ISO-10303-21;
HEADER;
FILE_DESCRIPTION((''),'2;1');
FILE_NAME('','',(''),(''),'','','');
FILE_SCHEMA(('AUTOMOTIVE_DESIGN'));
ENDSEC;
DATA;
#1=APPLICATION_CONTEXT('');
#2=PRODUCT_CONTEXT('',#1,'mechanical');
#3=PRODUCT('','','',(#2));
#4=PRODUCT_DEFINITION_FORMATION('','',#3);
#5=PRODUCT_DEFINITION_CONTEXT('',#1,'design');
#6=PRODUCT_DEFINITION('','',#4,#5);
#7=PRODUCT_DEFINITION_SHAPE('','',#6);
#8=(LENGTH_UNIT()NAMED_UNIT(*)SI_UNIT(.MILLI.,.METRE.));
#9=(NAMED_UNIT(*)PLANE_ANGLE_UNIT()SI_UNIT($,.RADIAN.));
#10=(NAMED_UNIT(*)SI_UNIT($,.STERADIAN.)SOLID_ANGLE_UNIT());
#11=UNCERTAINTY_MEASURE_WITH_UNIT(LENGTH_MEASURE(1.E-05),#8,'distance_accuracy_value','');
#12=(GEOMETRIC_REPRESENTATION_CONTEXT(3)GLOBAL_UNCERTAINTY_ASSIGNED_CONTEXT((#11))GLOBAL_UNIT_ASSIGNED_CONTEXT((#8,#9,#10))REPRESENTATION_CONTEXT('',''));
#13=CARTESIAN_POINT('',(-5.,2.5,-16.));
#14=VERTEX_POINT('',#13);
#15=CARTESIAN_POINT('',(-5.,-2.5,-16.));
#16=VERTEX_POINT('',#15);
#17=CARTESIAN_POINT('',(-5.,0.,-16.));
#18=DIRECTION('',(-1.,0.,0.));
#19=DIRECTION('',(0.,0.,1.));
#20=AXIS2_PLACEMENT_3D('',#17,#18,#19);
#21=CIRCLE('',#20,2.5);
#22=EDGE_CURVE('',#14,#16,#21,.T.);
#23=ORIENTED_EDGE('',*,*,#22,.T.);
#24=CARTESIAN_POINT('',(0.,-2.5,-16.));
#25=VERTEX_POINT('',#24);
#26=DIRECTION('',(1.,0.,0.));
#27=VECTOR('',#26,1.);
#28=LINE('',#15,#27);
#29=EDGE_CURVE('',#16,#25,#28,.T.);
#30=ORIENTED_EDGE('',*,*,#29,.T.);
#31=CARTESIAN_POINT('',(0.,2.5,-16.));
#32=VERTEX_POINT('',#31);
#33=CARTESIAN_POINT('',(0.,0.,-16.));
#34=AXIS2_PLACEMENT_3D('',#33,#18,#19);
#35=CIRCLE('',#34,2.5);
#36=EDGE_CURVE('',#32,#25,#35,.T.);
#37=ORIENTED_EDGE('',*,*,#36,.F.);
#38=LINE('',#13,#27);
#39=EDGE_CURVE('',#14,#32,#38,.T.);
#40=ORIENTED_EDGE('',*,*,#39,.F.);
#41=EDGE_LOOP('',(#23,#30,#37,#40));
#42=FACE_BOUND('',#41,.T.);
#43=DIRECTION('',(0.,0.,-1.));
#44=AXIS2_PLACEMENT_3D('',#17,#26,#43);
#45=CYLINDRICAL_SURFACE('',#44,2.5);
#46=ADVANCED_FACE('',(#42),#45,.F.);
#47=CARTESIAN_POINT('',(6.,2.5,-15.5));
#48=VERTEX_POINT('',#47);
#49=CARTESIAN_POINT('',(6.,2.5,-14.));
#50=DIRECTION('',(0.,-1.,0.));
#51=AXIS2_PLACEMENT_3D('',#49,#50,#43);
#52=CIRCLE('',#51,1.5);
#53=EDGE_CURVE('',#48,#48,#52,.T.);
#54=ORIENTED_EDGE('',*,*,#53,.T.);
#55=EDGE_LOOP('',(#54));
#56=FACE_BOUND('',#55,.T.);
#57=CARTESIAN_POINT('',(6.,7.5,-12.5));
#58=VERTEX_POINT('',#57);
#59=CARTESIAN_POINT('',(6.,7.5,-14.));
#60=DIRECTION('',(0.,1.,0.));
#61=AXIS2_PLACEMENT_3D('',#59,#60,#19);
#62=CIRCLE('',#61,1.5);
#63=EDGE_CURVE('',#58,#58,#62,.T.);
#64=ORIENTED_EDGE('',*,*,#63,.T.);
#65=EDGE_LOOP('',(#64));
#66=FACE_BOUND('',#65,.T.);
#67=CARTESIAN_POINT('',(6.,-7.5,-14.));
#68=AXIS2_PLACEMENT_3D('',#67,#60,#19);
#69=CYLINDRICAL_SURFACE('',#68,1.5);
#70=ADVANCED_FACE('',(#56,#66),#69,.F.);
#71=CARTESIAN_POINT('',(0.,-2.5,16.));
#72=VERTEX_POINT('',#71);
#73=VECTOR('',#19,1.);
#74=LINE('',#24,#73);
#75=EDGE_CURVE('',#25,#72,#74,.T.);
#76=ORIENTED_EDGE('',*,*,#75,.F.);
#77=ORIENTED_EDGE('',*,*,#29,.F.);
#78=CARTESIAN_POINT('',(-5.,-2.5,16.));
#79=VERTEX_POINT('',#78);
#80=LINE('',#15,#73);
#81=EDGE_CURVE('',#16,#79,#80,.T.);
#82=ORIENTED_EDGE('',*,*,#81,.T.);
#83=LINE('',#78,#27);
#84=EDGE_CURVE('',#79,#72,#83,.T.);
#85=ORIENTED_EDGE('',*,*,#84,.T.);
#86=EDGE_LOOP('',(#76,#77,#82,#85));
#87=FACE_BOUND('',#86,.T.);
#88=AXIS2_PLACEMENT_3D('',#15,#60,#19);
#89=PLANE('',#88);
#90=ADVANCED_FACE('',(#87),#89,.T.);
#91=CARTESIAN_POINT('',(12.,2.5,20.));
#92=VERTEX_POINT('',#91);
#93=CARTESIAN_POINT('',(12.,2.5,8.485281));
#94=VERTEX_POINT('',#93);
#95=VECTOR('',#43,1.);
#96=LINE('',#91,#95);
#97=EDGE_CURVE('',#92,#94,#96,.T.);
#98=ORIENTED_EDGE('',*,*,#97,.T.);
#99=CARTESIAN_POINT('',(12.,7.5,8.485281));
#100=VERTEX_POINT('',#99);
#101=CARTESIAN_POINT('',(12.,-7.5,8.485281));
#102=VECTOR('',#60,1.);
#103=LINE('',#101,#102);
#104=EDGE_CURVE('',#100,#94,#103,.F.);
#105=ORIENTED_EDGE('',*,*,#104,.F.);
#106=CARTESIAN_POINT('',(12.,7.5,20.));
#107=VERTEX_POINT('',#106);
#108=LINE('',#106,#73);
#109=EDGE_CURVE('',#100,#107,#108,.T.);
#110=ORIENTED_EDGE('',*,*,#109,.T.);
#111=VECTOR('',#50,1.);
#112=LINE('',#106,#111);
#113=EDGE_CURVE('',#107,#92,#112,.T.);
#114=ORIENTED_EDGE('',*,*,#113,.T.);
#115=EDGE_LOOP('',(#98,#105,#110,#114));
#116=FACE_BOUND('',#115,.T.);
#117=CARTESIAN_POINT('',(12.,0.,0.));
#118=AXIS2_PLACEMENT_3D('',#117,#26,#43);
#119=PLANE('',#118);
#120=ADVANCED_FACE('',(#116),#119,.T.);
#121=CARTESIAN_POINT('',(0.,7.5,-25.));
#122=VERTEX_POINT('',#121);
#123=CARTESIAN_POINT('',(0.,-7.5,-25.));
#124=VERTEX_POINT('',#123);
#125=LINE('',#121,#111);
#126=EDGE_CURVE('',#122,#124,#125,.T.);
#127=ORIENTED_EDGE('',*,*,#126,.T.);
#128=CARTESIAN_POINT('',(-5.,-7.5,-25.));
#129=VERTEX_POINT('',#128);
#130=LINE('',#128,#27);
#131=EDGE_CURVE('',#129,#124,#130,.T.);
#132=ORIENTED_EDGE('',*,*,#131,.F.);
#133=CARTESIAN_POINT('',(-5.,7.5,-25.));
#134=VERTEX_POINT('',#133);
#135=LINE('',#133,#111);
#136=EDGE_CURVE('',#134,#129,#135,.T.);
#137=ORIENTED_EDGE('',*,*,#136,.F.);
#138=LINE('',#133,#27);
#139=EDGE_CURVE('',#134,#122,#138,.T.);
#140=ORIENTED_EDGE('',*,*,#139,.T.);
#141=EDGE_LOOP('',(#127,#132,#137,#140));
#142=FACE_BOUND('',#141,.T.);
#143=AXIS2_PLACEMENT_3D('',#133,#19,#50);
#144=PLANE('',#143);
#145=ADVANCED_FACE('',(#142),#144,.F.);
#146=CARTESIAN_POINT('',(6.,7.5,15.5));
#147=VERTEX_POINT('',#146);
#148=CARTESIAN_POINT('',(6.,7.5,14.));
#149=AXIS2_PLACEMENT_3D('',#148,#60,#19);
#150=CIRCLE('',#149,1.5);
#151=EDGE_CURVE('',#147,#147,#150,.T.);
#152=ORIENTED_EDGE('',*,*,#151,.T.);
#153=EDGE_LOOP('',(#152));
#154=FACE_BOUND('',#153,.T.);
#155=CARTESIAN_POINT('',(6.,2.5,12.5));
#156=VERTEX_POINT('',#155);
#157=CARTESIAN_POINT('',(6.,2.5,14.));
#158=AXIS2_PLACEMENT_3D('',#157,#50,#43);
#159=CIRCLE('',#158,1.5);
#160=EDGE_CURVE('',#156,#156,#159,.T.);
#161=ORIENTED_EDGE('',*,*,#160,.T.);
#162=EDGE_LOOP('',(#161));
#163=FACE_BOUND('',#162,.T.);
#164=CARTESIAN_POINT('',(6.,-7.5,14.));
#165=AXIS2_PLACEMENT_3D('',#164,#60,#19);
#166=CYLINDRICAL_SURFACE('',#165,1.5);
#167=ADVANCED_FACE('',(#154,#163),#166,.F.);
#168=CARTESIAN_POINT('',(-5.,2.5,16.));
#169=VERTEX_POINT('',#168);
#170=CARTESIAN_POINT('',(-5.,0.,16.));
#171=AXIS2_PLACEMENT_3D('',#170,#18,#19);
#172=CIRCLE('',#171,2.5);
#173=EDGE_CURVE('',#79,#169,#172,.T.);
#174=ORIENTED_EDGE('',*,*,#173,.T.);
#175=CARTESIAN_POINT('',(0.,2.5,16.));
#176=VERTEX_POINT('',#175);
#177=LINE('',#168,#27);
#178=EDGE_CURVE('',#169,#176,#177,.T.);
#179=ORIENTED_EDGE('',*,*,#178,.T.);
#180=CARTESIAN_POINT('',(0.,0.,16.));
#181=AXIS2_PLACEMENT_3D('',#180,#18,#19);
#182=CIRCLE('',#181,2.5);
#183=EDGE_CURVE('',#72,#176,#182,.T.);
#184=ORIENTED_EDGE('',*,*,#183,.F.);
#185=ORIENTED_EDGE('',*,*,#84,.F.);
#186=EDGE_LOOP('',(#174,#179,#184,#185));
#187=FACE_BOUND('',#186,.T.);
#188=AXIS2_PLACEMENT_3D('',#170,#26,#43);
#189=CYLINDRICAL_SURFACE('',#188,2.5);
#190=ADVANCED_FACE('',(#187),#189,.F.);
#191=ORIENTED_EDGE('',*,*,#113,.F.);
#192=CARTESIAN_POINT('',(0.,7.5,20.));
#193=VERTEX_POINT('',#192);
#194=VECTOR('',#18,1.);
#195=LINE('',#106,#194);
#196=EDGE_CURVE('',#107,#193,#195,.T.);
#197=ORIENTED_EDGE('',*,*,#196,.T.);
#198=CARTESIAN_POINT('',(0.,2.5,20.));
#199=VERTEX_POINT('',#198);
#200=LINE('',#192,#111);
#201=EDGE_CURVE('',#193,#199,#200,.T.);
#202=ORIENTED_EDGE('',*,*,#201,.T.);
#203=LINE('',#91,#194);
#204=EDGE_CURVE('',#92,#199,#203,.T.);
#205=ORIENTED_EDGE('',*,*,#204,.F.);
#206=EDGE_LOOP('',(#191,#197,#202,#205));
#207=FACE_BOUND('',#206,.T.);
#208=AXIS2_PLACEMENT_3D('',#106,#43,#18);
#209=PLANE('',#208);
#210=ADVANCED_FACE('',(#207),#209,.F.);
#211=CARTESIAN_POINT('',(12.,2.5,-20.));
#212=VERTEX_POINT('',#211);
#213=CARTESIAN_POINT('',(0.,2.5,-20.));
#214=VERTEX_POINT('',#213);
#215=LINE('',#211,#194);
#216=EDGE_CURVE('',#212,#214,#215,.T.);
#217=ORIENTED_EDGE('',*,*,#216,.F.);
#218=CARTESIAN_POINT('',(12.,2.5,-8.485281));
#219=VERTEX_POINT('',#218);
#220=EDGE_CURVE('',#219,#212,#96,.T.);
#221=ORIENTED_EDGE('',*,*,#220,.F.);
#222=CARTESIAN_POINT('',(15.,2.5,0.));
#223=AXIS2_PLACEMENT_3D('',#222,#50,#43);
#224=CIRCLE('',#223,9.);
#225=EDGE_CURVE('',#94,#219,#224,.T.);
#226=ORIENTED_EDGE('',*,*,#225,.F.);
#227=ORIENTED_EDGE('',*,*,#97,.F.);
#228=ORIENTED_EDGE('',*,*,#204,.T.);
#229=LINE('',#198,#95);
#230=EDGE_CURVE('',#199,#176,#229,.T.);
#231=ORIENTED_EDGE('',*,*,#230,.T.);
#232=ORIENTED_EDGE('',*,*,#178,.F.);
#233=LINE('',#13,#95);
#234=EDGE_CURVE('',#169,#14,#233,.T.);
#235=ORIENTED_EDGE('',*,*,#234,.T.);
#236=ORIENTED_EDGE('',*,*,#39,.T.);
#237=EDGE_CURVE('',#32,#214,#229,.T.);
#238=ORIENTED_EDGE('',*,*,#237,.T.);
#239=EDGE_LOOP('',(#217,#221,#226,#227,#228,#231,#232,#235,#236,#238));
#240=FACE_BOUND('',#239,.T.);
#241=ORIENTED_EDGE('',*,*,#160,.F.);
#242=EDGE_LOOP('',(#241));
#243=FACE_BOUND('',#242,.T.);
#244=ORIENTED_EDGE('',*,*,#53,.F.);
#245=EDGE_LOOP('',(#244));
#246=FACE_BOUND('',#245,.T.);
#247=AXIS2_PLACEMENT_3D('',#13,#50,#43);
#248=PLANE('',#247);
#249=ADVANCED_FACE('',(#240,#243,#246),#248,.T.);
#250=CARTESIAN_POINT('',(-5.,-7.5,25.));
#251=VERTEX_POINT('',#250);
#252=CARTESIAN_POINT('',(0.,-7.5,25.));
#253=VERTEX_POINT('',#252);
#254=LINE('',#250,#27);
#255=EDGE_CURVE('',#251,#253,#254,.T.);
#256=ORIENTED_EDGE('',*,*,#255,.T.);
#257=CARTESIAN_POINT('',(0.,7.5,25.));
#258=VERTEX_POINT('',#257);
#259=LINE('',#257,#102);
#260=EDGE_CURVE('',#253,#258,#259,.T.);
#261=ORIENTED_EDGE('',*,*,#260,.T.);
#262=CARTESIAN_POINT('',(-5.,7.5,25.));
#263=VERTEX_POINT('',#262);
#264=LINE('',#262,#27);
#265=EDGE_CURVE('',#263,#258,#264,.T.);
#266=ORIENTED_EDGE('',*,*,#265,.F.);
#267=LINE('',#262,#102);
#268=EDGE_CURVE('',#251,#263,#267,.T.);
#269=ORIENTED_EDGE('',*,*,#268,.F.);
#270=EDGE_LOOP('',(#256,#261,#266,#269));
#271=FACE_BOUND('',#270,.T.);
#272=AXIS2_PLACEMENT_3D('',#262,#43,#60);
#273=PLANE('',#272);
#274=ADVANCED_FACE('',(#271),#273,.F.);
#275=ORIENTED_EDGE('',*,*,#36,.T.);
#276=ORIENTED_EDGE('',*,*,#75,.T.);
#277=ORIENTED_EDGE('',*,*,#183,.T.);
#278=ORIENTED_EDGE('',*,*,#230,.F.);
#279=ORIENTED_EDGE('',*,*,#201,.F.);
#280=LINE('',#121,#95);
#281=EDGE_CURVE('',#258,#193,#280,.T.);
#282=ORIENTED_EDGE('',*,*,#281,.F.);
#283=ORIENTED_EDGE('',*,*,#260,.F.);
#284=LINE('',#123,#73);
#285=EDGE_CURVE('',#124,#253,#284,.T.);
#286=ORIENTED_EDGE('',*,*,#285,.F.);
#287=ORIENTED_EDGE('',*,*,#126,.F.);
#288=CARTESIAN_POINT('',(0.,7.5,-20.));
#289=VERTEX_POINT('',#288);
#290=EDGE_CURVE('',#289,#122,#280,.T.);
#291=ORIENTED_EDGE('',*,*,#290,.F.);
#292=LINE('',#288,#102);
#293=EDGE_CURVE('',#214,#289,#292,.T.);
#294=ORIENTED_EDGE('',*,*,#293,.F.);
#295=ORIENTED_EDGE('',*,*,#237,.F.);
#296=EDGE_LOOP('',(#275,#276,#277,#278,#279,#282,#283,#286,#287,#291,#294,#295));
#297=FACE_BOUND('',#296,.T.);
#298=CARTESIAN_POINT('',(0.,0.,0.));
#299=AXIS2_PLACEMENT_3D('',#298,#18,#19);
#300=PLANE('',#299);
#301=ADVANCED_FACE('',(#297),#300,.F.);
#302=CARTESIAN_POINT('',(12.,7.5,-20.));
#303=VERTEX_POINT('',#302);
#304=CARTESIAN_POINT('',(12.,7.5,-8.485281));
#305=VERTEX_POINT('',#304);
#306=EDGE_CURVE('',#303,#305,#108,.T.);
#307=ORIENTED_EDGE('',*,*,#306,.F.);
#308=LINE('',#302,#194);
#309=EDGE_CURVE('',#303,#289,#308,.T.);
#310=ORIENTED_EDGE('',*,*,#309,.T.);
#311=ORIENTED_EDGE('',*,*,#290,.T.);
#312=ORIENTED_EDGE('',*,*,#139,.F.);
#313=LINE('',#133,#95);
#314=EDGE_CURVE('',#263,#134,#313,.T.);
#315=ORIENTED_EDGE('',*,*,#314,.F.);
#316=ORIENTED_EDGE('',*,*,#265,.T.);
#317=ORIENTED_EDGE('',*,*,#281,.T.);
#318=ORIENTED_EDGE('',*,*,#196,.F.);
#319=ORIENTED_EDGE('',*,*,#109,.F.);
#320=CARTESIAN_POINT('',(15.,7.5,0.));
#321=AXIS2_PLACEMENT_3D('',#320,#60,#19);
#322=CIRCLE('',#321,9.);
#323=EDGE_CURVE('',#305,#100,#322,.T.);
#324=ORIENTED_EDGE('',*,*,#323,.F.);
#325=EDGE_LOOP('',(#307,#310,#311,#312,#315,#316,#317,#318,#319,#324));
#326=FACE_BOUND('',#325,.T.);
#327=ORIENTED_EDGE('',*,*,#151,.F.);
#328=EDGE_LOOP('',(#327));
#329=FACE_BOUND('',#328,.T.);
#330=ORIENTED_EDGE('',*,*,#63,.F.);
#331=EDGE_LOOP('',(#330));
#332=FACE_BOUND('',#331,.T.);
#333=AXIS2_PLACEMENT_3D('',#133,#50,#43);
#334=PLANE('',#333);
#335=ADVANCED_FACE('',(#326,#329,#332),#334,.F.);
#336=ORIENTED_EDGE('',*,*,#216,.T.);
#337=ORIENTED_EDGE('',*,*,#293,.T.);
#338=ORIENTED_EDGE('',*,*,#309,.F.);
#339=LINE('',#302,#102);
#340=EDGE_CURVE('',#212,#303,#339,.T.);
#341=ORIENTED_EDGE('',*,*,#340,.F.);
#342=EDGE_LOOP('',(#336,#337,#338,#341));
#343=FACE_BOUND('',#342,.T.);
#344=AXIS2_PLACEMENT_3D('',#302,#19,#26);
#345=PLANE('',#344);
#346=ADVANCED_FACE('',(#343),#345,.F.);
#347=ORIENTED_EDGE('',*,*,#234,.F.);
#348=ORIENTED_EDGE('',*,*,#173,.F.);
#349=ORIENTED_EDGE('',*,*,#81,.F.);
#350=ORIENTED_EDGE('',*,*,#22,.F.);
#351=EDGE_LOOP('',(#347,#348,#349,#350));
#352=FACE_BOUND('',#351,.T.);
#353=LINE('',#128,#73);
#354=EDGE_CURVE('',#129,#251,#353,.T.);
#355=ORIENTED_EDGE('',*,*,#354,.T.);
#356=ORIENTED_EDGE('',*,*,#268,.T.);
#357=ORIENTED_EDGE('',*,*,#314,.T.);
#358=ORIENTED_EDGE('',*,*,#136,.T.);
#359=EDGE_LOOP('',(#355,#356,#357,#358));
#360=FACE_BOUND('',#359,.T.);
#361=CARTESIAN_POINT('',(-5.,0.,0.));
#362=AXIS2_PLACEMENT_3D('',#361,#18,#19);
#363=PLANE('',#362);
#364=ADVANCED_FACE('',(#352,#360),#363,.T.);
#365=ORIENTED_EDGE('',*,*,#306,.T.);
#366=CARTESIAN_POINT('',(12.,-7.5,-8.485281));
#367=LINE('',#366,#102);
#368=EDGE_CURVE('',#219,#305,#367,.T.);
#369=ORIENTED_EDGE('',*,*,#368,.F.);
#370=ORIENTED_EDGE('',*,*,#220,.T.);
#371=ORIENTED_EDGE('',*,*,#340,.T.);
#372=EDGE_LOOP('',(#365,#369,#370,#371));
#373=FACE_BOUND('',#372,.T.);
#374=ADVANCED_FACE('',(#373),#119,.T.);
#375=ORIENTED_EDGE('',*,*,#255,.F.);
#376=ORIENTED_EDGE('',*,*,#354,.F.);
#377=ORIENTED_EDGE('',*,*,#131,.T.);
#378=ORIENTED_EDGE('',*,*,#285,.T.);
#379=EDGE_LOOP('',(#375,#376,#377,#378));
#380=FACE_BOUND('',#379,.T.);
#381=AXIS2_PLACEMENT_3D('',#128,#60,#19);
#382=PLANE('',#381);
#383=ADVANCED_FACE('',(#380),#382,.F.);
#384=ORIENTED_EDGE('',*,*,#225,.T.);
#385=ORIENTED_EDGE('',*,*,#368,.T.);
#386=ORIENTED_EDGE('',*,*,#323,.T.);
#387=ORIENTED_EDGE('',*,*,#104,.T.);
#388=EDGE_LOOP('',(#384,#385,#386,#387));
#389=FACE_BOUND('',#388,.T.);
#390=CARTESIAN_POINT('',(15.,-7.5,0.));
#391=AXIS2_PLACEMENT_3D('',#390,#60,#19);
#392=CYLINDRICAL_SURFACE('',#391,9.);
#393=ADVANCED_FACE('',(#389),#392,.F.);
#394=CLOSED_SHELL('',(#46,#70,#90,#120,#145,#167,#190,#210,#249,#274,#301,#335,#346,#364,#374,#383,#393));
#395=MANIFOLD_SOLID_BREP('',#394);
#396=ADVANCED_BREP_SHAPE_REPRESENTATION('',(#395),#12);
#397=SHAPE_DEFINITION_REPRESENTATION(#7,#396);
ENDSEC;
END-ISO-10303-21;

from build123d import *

# Parameters (mm, degrees)
SKETCH_1_W          = 50
SKETCH_1_H          = 15
EXTRUDE_1_DEPTH     = 5
SKETCH_2_W          = 40
SKETCH_2_H          = 5
EXTRUDE_3_DEPTH     = 12
SKETCH_3_R          = 9
SKETCH_3_R_2        = 1.5
CUT_EXTRUDE_1_DEPTH = 16


with BuildPart() as part:
    # 草图1 → 凸台-拉伸1 (new body)
    with BuildSketch(Plane.ZY):
        Rectangle(SKETCH_1_W, SKETCH_1_H)
        with BuildLine():
            Line((-16, 2.5), (16, 2.5))
            ThreePointArc((16, 2.5), (18.5, 0), (16, -2.5))
            Line((16, -2.5), (-16, -2.5))
            ThreePointArc((-16, -2.5), (-18.5, 0), (-16, 2.5))
        make_face(mode=Mode.SUBTRACT)
    extrude(amount=EXTRUDE_1_DEPTH)

    # 草图2 → 凸台-拉伸3 (add)
    with BuildSketch(Plane(origin=(0, 0, 0), x_dir=(0, 0, -1), z_dir=(1, 0, 0))):
        with Locations((0, 5)):
            Rectangle(SKETCH_2_W, SKETCH_2_H)
    extrude(amount=EXTRUDE_3_DEPTH)

    # 草图3 → 切除-拉伸1 (cut, through all)
    with BuildSketch(Plane(origin=(0, 7.5, 0), x_dir=(1, 0, 0), z_dir=(0, 1, 0))):
        with Locations((15, 0)):
            Circle(SKETCH_3_R)
        with Locations((6, 14)):
            Circle(SKETCH_3_R_2)
        with Locations((6, -14)):
            Circle(SKETCH_3_R_2)
    extrude(amount=-CUT_EXTRUDE_1_DEPTH, mode=Mode.SUBTRACT)


solid = part.part
